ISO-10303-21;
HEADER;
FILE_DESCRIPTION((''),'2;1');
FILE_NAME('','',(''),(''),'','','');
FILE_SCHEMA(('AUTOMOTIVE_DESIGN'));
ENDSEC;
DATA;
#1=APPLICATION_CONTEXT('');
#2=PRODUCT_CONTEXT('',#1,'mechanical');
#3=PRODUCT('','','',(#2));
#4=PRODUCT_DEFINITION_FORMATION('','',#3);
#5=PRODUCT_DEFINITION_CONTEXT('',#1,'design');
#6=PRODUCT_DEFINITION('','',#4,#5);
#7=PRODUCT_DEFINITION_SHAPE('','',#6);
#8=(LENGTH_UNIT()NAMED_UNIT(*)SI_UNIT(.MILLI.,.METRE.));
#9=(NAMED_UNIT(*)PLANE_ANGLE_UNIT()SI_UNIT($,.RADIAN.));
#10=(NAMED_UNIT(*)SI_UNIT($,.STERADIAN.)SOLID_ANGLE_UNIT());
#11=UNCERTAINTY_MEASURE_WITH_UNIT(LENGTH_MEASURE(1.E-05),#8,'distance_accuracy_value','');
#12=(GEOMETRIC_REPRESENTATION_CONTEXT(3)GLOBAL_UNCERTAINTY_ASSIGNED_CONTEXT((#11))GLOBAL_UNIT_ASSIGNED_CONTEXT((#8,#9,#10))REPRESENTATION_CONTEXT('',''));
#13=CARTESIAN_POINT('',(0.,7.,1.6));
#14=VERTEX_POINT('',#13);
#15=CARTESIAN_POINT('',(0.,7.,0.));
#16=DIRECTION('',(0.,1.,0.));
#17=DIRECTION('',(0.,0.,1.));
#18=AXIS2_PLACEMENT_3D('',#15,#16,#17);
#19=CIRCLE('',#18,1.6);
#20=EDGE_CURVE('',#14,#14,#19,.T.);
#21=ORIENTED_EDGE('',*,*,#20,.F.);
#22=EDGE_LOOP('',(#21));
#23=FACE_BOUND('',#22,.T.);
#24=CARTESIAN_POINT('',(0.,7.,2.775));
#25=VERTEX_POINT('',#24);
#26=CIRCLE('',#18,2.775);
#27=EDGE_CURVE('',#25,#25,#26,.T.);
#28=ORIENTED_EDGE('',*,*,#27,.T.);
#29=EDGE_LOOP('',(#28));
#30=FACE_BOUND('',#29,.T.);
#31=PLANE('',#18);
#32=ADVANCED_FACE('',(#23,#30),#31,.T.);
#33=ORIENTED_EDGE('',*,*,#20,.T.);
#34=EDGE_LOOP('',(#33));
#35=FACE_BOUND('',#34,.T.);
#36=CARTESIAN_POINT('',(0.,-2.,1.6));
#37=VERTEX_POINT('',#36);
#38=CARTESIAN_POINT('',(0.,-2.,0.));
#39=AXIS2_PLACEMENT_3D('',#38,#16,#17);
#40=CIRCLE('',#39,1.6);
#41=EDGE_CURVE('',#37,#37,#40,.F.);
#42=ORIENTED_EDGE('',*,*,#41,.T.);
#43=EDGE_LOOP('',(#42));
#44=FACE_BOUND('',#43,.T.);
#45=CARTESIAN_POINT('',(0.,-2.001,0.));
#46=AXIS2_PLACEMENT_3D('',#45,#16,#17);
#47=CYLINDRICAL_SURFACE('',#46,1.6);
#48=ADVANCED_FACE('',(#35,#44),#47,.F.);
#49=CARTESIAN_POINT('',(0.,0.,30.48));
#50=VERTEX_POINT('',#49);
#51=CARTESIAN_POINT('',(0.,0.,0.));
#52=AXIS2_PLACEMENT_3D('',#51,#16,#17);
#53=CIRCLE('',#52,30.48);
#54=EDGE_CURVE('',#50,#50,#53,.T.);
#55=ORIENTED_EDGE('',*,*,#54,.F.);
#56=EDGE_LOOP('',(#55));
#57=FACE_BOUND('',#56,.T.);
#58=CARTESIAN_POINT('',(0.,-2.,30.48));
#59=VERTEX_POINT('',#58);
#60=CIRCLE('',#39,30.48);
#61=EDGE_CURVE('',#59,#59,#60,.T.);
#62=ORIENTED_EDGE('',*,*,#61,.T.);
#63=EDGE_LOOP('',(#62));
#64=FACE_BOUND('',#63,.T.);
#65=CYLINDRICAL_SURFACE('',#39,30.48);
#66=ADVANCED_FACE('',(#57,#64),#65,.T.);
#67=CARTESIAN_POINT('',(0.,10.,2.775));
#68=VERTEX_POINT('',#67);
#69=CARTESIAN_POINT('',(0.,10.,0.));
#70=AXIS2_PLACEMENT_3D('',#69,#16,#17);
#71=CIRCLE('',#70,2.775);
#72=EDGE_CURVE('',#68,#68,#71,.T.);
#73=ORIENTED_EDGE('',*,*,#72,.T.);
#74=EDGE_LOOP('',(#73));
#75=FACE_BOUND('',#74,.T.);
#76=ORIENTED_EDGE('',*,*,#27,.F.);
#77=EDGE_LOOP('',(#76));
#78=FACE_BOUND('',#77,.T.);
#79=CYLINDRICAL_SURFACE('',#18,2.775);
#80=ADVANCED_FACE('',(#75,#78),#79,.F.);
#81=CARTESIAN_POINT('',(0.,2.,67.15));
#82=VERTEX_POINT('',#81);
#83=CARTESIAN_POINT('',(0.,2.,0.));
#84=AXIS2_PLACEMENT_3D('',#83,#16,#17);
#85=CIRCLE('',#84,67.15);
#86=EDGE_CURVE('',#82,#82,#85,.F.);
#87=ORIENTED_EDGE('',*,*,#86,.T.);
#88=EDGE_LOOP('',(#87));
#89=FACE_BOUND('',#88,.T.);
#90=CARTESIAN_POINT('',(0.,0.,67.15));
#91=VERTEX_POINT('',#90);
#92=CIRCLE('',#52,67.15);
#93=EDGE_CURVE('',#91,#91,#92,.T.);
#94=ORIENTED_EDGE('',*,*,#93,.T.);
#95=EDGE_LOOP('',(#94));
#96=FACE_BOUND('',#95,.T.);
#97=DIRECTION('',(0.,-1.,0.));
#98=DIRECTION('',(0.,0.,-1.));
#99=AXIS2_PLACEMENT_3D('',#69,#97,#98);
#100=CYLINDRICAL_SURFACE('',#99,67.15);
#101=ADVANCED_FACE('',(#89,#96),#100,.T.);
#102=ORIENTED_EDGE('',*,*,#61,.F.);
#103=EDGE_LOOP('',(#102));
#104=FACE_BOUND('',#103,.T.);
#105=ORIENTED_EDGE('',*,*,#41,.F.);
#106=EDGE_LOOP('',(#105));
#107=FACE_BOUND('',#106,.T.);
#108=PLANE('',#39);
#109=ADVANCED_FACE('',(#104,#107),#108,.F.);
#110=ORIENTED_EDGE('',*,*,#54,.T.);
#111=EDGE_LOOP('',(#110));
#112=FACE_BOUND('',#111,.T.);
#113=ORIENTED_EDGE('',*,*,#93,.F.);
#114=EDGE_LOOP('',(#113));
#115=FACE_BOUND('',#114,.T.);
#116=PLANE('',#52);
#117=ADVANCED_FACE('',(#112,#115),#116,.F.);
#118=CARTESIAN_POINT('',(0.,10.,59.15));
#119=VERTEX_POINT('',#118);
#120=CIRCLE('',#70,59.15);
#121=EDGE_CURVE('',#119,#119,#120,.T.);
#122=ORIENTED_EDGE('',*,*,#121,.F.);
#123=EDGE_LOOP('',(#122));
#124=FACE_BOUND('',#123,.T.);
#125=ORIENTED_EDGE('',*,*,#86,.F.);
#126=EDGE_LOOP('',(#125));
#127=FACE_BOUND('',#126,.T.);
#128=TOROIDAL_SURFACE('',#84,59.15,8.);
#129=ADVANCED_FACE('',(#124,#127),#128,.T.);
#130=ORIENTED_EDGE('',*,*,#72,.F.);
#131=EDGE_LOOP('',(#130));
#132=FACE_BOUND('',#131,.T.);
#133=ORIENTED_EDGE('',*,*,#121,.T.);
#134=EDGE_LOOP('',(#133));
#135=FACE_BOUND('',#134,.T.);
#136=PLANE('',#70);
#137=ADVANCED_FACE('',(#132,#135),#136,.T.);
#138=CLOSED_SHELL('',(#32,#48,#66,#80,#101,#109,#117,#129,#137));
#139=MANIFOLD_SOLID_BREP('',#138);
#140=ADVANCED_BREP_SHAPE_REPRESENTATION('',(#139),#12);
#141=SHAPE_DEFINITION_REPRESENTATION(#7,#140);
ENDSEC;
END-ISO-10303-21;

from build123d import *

# Parameters (mm, degrees)
SKETCH1_R           = 67.15
BOSS_EXTRUDE1_DEPTH = 10
SKETCH1_3_R         = 30.48
BOSS_EXTRUDE2_DEPTH = 2
FILLET1_R           = 8
SKETCH2_R           = 2.775
CUT_EXTRUDE1_DEPTH  = 3
CUT_EXTRUDE2_REACH  = 97.39
SKETCH3_R           = 1.6


with BuildPart() as part:
    # Sketch1 → Boss-Extrude1 (new body)
    with BuildSketch(Plane(origin=(0, 0, 0), x_dir=(1, 0, 0), z_dir=(0, 1, 0))):
        Circle(SKETCH1_R)
    extrude(amount=BOSS_EXTRUDE1_DEPTH)

    # Sketch1<3> → Boss-Extrude2 (add)
    with BuildSketch(Plane(origin=(0, 0, 0), x_dir=(1, 0, 0), z_dir=(0, 1, 0))):
        Circle(SKETCH1_3_R)
    extrude(amount=-BOSS_EXTRUDE2_DEPTH)

    # Fillet1
    fillet1_edges = [part.edges().sort_by_distance(p)[0] for p in [
        (-67.15, 10, 0),
    ]]
    fillet(fillet1_edges, radius=FILLET1_R)

    # Sketch2 → Cut-Extrude1 (cut)
    with BuildSketch(Plane(origin=(0, 10, 0), x_dir=(1, 0, 0), z_dir=(0, 1, 0))):
        Circle(SKETCH2_R)
    extrude(amount=-CUT_EXTRUDE1_DEPTH, mode=Mode.SUBTRACT)

    # Sketch3 → Cut-Extrude2 (cut, up to next)
    with BuildSketch(Plane(origin=(0, 7, 0), x_dir=(1, 0, 0), z_dir=(0, 1, 0)), mode=Mode.PRIVATE) as cut_extrude2_sk1:
        Circle(SKETCH3_R)
    cut_extrude2_tool1 = extrude(cut_extrude2_sk1.sketch, amount=-CUT_EXTRUDE2_REACH, mode=Mode.PRIVATE) & part.part
    add(cut_extrude2_tool1.solids().sort_by_distance((0, 7, 0))[0], mode=Mode.SUBTRACT)


solid = part.part
